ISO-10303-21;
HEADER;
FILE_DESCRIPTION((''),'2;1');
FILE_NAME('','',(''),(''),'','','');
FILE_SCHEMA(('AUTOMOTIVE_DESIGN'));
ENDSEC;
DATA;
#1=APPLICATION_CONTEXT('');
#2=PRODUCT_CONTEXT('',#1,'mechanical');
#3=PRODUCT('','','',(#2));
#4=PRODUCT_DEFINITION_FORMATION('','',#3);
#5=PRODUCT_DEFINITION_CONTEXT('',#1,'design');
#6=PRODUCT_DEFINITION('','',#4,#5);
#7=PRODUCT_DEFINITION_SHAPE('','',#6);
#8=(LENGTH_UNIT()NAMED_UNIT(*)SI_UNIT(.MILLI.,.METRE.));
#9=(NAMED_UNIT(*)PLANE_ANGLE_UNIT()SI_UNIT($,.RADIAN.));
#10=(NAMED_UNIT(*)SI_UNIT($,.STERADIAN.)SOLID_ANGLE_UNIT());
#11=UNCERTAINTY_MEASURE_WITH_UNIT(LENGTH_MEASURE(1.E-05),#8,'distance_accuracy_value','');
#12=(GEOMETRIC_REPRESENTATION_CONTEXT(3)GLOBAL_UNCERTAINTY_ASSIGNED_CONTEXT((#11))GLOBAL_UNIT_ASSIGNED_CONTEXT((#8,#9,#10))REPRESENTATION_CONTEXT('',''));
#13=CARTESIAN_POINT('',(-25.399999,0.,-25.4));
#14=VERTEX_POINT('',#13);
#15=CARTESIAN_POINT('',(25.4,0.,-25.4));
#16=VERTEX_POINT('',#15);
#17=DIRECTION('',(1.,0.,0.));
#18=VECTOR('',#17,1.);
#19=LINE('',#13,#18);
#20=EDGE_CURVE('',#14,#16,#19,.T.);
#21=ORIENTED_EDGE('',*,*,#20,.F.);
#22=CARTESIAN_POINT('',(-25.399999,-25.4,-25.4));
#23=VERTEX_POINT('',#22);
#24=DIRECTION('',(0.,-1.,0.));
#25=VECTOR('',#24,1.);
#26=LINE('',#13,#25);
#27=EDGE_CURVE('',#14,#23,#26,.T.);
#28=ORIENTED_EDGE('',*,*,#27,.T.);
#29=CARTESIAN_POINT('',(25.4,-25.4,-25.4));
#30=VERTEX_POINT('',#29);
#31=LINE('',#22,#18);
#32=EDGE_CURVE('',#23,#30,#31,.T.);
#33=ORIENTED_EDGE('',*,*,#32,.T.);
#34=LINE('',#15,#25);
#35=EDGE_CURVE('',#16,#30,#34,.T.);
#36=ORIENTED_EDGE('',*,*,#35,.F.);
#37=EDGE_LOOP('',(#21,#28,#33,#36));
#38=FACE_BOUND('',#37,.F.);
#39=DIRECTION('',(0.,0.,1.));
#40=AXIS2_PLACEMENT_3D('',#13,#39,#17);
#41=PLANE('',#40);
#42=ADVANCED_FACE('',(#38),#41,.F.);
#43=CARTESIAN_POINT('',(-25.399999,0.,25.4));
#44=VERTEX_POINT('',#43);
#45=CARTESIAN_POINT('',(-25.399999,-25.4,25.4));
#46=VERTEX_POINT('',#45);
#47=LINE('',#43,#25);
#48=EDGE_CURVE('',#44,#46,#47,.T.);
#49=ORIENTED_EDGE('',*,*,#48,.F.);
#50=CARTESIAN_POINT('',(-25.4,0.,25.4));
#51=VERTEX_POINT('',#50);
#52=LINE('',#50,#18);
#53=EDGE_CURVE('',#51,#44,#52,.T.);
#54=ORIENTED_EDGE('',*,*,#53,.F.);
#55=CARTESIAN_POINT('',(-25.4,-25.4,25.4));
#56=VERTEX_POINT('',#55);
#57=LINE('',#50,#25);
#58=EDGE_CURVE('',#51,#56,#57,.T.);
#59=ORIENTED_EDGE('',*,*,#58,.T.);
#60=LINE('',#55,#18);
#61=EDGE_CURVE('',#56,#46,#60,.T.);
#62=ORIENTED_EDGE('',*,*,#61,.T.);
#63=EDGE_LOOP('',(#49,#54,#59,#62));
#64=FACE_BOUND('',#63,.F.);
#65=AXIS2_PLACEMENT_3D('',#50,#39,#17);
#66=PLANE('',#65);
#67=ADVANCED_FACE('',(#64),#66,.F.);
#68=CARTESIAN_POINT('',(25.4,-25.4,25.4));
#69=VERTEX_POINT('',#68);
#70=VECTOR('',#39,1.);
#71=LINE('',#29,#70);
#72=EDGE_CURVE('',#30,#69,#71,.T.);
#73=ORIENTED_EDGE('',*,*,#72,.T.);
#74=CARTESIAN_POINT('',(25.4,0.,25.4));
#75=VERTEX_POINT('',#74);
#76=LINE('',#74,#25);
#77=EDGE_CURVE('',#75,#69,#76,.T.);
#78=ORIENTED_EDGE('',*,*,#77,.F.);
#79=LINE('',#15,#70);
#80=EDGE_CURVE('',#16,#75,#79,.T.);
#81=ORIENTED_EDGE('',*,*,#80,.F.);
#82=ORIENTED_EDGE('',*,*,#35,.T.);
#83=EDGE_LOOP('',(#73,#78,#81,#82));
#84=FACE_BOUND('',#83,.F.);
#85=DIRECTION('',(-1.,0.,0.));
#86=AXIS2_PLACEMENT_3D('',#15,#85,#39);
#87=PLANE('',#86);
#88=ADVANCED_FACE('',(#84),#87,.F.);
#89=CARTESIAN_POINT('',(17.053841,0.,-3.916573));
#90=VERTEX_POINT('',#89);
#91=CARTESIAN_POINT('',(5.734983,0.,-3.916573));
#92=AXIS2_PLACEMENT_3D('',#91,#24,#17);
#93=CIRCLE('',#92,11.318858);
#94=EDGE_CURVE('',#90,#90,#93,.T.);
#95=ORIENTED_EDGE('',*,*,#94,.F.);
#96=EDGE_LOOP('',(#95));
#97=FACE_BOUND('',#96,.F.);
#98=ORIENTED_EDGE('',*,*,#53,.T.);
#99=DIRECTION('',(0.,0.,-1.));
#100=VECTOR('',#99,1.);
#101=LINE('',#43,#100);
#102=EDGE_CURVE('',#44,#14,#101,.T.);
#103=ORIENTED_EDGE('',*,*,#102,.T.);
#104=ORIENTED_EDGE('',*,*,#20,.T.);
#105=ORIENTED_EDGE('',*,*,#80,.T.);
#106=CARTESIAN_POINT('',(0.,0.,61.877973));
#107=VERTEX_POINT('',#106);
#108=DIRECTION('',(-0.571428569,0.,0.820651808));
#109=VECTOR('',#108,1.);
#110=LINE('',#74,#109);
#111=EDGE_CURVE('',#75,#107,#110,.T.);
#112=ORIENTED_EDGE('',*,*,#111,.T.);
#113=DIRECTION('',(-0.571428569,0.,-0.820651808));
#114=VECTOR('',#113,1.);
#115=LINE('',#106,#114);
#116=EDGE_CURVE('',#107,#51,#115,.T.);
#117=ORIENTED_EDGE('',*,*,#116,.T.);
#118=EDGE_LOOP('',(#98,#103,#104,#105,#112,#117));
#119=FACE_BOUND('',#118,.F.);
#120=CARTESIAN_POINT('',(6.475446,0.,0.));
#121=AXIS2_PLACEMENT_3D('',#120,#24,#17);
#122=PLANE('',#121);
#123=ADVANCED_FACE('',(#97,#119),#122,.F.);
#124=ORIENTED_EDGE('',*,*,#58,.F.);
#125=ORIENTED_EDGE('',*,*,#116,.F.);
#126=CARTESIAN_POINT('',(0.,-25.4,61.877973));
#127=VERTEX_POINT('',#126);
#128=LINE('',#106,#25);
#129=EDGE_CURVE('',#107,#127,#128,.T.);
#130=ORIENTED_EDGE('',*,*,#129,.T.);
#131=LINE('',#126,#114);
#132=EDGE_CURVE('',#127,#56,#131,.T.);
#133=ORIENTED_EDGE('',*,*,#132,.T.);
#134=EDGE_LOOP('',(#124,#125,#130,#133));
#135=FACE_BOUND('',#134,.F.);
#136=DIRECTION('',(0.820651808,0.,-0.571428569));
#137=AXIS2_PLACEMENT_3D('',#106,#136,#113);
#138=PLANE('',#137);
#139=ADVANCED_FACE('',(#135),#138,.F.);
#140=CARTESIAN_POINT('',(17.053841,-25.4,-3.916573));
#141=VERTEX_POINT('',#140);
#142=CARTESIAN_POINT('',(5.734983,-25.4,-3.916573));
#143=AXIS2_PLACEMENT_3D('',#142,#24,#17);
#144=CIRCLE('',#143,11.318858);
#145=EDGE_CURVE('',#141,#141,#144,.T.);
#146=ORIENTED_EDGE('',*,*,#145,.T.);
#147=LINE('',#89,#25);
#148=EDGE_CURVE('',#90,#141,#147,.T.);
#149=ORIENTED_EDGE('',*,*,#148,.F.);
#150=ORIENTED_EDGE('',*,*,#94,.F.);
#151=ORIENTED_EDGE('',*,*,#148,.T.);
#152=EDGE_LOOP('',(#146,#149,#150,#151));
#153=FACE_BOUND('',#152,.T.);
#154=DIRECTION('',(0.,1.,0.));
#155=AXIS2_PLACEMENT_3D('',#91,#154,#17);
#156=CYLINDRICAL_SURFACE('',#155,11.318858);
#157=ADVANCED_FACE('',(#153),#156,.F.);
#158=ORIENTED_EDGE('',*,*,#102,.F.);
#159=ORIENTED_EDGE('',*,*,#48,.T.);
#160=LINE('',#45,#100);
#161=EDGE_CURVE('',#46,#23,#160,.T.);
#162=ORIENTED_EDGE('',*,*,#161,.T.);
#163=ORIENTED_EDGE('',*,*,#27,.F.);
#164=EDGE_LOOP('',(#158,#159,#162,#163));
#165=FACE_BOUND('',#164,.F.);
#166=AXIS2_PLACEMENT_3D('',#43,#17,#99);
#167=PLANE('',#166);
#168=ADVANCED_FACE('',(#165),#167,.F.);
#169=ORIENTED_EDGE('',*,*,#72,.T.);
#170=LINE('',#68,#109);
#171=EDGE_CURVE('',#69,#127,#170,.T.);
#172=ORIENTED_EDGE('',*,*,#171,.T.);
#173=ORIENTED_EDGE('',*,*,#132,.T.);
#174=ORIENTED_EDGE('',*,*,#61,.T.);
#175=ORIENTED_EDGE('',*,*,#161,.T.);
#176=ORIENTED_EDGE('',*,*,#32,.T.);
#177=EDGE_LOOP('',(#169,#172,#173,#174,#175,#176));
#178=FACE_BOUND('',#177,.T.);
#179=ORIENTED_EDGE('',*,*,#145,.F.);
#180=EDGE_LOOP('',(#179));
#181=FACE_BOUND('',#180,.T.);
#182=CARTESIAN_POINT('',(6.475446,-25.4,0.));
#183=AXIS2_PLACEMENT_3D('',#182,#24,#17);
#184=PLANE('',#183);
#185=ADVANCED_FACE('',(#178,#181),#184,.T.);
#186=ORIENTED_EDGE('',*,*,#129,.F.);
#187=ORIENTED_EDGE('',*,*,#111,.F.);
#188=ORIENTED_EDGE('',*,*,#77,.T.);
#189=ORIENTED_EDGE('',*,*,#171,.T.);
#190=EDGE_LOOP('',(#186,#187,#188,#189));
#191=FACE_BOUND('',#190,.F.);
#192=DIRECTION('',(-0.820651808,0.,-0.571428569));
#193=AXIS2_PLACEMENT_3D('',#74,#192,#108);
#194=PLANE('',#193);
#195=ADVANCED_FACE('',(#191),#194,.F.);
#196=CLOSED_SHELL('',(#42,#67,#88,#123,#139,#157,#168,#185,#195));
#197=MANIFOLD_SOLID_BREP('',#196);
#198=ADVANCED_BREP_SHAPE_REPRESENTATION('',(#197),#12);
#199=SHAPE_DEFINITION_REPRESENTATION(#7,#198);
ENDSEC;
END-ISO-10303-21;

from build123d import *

# Parameters (mm, degrees)
F0_R     = 11.318858
F0_W     = 12.950891
F0_H     = 10.852726
F0_H_2   = 39.947274
F1_DEPTH = 25.4


with BuildPart() as f1:
    # F0 (on Front) → F1 (new body)
    with BuildSketch(Plane.XZ):
        Polygon((-12.449109, -25.4), (25.4, -25.4), (25.4, 25.4), (-12.449109, 25.4), (-12.449109, -14.547274), align=None)
        with Locations((5.734983, -3.916573)):
            Circle(F0_R, mode=Mode.SUBTRACT)
        with Locations((-18.924554, -19.973637)):
            Rectangle(F0_W, F0_H)
        Polygon((-12.449109, 25.4), (25.4, 25.4), (0, 61.877973), (-25.4, 25.4), align=None)
        with Locations((-18.924554, 5.426363)):
            Rectangle(F0_W, F0_H_2)
    extrude(amount=F1_DEPTH)


solid = f1.part
